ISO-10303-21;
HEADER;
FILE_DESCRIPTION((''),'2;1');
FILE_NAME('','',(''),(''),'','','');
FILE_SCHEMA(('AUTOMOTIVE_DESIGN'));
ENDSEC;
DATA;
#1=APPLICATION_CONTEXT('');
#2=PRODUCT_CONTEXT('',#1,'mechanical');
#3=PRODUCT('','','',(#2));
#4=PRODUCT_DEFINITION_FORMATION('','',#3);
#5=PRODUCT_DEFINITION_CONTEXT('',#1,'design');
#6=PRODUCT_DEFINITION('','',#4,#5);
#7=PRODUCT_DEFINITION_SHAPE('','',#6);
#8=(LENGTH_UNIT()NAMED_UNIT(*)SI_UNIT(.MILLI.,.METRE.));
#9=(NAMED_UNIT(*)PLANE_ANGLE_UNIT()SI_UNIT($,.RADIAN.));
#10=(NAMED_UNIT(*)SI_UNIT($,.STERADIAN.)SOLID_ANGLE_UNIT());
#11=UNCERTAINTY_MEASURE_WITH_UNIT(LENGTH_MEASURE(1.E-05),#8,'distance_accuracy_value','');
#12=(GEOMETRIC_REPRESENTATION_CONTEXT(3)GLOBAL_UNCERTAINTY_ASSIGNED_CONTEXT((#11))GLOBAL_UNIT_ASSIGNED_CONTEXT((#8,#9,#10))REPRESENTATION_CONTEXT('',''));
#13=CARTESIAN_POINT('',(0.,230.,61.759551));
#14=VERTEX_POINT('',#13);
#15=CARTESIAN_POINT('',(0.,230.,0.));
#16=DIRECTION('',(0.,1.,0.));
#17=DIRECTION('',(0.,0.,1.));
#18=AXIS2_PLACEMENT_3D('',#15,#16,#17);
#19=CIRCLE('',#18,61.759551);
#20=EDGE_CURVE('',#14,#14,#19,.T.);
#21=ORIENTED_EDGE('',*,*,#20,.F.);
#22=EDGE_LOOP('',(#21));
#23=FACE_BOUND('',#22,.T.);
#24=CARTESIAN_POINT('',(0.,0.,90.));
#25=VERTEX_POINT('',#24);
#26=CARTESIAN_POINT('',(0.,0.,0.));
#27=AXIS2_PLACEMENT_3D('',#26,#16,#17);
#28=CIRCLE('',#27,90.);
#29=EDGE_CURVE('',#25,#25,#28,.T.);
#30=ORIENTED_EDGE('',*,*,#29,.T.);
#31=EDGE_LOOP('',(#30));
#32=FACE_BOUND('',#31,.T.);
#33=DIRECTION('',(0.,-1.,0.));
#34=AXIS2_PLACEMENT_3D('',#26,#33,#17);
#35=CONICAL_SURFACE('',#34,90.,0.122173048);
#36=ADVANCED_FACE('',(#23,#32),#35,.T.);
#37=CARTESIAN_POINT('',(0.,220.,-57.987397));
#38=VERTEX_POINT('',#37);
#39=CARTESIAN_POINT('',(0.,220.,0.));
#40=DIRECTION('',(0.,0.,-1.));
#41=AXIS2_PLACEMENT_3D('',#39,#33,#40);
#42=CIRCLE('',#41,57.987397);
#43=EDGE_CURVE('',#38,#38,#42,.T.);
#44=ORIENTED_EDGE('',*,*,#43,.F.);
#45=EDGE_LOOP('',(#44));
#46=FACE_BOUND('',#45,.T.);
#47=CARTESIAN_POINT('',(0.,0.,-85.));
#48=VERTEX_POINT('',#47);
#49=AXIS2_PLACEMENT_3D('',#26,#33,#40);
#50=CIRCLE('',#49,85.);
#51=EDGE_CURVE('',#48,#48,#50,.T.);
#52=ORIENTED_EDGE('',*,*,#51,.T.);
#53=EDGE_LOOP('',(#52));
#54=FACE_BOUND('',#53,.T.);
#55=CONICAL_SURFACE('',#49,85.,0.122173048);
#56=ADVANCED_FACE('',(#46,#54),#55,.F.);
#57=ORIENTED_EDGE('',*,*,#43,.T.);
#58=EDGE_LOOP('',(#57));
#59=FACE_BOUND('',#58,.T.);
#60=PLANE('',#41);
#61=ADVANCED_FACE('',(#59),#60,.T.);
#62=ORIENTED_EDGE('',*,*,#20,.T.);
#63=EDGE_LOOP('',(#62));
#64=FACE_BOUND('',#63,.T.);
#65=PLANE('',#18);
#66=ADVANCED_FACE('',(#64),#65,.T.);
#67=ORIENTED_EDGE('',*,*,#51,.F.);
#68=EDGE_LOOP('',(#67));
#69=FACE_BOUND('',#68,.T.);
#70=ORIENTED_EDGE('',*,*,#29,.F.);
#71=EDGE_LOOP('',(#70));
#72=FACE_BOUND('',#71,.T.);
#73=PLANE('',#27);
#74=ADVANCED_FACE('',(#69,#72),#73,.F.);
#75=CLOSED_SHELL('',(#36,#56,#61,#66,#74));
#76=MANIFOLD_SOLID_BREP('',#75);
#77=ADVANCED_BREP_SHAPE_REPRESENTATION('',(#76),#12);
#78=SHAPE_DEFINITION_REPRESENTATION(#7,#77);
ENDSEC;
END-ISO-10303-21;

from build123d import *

# Parameters (mm, degrees)
SKETCH2_R           = 90
BOSS_EXTRUDE1_DEPTH = 230
BOSS_EXTRUDE1_TAPER = 7
SKETCH3_R           = 85
CUT_EXTRUDE1_DEPTH  = 220
CUT_EXTRUDE1_DRAFT  = -7


with BuildPart() as part:
    # Sketch2 → Boss-Extrude1 (new body)
    with BuildSketch(Plane(origin=(0, 0, 0), x_dir=(1, 0, 0), z_dir=(0, 1, 0))):
        Circle(SKETCH2_R)
    extrude(amount=BOSS_EXTRUDE1_DEPTH, taper=BOSS_EXTRUDE1_TAPER)


with BuildPart() as cut_extrude1_tool:
    # Sketch3 → Cut-Extrude1 (with draft: the straight prism first)
    with BuildSketch(Plane.XZ):
        Circle(SKETCH3_R)
    extrude(amount=-CUT_EXTRUDE1_DEPTH)
    # Cut-Extrude1: the draft: its side faces are tilted about the plane it starts from
    cut_extrude1_sides = [cut_extrude1_tool.faces().sort_by_distance(p)[0] for p in [
        (-85, 110, 0),
    ]]
    draft(cut_extrude1_sides, Plane.XZ, CUT_EXTRUDE1_DRAFT)


with BuildPart() as part_1:
    add(part.part)

    # Cut-Extrude1: cut by cut_extrude1_tool
    add(cut_extrude1_tool.part, mode=Mode.SUBTRACT)


solid = part_1.part
